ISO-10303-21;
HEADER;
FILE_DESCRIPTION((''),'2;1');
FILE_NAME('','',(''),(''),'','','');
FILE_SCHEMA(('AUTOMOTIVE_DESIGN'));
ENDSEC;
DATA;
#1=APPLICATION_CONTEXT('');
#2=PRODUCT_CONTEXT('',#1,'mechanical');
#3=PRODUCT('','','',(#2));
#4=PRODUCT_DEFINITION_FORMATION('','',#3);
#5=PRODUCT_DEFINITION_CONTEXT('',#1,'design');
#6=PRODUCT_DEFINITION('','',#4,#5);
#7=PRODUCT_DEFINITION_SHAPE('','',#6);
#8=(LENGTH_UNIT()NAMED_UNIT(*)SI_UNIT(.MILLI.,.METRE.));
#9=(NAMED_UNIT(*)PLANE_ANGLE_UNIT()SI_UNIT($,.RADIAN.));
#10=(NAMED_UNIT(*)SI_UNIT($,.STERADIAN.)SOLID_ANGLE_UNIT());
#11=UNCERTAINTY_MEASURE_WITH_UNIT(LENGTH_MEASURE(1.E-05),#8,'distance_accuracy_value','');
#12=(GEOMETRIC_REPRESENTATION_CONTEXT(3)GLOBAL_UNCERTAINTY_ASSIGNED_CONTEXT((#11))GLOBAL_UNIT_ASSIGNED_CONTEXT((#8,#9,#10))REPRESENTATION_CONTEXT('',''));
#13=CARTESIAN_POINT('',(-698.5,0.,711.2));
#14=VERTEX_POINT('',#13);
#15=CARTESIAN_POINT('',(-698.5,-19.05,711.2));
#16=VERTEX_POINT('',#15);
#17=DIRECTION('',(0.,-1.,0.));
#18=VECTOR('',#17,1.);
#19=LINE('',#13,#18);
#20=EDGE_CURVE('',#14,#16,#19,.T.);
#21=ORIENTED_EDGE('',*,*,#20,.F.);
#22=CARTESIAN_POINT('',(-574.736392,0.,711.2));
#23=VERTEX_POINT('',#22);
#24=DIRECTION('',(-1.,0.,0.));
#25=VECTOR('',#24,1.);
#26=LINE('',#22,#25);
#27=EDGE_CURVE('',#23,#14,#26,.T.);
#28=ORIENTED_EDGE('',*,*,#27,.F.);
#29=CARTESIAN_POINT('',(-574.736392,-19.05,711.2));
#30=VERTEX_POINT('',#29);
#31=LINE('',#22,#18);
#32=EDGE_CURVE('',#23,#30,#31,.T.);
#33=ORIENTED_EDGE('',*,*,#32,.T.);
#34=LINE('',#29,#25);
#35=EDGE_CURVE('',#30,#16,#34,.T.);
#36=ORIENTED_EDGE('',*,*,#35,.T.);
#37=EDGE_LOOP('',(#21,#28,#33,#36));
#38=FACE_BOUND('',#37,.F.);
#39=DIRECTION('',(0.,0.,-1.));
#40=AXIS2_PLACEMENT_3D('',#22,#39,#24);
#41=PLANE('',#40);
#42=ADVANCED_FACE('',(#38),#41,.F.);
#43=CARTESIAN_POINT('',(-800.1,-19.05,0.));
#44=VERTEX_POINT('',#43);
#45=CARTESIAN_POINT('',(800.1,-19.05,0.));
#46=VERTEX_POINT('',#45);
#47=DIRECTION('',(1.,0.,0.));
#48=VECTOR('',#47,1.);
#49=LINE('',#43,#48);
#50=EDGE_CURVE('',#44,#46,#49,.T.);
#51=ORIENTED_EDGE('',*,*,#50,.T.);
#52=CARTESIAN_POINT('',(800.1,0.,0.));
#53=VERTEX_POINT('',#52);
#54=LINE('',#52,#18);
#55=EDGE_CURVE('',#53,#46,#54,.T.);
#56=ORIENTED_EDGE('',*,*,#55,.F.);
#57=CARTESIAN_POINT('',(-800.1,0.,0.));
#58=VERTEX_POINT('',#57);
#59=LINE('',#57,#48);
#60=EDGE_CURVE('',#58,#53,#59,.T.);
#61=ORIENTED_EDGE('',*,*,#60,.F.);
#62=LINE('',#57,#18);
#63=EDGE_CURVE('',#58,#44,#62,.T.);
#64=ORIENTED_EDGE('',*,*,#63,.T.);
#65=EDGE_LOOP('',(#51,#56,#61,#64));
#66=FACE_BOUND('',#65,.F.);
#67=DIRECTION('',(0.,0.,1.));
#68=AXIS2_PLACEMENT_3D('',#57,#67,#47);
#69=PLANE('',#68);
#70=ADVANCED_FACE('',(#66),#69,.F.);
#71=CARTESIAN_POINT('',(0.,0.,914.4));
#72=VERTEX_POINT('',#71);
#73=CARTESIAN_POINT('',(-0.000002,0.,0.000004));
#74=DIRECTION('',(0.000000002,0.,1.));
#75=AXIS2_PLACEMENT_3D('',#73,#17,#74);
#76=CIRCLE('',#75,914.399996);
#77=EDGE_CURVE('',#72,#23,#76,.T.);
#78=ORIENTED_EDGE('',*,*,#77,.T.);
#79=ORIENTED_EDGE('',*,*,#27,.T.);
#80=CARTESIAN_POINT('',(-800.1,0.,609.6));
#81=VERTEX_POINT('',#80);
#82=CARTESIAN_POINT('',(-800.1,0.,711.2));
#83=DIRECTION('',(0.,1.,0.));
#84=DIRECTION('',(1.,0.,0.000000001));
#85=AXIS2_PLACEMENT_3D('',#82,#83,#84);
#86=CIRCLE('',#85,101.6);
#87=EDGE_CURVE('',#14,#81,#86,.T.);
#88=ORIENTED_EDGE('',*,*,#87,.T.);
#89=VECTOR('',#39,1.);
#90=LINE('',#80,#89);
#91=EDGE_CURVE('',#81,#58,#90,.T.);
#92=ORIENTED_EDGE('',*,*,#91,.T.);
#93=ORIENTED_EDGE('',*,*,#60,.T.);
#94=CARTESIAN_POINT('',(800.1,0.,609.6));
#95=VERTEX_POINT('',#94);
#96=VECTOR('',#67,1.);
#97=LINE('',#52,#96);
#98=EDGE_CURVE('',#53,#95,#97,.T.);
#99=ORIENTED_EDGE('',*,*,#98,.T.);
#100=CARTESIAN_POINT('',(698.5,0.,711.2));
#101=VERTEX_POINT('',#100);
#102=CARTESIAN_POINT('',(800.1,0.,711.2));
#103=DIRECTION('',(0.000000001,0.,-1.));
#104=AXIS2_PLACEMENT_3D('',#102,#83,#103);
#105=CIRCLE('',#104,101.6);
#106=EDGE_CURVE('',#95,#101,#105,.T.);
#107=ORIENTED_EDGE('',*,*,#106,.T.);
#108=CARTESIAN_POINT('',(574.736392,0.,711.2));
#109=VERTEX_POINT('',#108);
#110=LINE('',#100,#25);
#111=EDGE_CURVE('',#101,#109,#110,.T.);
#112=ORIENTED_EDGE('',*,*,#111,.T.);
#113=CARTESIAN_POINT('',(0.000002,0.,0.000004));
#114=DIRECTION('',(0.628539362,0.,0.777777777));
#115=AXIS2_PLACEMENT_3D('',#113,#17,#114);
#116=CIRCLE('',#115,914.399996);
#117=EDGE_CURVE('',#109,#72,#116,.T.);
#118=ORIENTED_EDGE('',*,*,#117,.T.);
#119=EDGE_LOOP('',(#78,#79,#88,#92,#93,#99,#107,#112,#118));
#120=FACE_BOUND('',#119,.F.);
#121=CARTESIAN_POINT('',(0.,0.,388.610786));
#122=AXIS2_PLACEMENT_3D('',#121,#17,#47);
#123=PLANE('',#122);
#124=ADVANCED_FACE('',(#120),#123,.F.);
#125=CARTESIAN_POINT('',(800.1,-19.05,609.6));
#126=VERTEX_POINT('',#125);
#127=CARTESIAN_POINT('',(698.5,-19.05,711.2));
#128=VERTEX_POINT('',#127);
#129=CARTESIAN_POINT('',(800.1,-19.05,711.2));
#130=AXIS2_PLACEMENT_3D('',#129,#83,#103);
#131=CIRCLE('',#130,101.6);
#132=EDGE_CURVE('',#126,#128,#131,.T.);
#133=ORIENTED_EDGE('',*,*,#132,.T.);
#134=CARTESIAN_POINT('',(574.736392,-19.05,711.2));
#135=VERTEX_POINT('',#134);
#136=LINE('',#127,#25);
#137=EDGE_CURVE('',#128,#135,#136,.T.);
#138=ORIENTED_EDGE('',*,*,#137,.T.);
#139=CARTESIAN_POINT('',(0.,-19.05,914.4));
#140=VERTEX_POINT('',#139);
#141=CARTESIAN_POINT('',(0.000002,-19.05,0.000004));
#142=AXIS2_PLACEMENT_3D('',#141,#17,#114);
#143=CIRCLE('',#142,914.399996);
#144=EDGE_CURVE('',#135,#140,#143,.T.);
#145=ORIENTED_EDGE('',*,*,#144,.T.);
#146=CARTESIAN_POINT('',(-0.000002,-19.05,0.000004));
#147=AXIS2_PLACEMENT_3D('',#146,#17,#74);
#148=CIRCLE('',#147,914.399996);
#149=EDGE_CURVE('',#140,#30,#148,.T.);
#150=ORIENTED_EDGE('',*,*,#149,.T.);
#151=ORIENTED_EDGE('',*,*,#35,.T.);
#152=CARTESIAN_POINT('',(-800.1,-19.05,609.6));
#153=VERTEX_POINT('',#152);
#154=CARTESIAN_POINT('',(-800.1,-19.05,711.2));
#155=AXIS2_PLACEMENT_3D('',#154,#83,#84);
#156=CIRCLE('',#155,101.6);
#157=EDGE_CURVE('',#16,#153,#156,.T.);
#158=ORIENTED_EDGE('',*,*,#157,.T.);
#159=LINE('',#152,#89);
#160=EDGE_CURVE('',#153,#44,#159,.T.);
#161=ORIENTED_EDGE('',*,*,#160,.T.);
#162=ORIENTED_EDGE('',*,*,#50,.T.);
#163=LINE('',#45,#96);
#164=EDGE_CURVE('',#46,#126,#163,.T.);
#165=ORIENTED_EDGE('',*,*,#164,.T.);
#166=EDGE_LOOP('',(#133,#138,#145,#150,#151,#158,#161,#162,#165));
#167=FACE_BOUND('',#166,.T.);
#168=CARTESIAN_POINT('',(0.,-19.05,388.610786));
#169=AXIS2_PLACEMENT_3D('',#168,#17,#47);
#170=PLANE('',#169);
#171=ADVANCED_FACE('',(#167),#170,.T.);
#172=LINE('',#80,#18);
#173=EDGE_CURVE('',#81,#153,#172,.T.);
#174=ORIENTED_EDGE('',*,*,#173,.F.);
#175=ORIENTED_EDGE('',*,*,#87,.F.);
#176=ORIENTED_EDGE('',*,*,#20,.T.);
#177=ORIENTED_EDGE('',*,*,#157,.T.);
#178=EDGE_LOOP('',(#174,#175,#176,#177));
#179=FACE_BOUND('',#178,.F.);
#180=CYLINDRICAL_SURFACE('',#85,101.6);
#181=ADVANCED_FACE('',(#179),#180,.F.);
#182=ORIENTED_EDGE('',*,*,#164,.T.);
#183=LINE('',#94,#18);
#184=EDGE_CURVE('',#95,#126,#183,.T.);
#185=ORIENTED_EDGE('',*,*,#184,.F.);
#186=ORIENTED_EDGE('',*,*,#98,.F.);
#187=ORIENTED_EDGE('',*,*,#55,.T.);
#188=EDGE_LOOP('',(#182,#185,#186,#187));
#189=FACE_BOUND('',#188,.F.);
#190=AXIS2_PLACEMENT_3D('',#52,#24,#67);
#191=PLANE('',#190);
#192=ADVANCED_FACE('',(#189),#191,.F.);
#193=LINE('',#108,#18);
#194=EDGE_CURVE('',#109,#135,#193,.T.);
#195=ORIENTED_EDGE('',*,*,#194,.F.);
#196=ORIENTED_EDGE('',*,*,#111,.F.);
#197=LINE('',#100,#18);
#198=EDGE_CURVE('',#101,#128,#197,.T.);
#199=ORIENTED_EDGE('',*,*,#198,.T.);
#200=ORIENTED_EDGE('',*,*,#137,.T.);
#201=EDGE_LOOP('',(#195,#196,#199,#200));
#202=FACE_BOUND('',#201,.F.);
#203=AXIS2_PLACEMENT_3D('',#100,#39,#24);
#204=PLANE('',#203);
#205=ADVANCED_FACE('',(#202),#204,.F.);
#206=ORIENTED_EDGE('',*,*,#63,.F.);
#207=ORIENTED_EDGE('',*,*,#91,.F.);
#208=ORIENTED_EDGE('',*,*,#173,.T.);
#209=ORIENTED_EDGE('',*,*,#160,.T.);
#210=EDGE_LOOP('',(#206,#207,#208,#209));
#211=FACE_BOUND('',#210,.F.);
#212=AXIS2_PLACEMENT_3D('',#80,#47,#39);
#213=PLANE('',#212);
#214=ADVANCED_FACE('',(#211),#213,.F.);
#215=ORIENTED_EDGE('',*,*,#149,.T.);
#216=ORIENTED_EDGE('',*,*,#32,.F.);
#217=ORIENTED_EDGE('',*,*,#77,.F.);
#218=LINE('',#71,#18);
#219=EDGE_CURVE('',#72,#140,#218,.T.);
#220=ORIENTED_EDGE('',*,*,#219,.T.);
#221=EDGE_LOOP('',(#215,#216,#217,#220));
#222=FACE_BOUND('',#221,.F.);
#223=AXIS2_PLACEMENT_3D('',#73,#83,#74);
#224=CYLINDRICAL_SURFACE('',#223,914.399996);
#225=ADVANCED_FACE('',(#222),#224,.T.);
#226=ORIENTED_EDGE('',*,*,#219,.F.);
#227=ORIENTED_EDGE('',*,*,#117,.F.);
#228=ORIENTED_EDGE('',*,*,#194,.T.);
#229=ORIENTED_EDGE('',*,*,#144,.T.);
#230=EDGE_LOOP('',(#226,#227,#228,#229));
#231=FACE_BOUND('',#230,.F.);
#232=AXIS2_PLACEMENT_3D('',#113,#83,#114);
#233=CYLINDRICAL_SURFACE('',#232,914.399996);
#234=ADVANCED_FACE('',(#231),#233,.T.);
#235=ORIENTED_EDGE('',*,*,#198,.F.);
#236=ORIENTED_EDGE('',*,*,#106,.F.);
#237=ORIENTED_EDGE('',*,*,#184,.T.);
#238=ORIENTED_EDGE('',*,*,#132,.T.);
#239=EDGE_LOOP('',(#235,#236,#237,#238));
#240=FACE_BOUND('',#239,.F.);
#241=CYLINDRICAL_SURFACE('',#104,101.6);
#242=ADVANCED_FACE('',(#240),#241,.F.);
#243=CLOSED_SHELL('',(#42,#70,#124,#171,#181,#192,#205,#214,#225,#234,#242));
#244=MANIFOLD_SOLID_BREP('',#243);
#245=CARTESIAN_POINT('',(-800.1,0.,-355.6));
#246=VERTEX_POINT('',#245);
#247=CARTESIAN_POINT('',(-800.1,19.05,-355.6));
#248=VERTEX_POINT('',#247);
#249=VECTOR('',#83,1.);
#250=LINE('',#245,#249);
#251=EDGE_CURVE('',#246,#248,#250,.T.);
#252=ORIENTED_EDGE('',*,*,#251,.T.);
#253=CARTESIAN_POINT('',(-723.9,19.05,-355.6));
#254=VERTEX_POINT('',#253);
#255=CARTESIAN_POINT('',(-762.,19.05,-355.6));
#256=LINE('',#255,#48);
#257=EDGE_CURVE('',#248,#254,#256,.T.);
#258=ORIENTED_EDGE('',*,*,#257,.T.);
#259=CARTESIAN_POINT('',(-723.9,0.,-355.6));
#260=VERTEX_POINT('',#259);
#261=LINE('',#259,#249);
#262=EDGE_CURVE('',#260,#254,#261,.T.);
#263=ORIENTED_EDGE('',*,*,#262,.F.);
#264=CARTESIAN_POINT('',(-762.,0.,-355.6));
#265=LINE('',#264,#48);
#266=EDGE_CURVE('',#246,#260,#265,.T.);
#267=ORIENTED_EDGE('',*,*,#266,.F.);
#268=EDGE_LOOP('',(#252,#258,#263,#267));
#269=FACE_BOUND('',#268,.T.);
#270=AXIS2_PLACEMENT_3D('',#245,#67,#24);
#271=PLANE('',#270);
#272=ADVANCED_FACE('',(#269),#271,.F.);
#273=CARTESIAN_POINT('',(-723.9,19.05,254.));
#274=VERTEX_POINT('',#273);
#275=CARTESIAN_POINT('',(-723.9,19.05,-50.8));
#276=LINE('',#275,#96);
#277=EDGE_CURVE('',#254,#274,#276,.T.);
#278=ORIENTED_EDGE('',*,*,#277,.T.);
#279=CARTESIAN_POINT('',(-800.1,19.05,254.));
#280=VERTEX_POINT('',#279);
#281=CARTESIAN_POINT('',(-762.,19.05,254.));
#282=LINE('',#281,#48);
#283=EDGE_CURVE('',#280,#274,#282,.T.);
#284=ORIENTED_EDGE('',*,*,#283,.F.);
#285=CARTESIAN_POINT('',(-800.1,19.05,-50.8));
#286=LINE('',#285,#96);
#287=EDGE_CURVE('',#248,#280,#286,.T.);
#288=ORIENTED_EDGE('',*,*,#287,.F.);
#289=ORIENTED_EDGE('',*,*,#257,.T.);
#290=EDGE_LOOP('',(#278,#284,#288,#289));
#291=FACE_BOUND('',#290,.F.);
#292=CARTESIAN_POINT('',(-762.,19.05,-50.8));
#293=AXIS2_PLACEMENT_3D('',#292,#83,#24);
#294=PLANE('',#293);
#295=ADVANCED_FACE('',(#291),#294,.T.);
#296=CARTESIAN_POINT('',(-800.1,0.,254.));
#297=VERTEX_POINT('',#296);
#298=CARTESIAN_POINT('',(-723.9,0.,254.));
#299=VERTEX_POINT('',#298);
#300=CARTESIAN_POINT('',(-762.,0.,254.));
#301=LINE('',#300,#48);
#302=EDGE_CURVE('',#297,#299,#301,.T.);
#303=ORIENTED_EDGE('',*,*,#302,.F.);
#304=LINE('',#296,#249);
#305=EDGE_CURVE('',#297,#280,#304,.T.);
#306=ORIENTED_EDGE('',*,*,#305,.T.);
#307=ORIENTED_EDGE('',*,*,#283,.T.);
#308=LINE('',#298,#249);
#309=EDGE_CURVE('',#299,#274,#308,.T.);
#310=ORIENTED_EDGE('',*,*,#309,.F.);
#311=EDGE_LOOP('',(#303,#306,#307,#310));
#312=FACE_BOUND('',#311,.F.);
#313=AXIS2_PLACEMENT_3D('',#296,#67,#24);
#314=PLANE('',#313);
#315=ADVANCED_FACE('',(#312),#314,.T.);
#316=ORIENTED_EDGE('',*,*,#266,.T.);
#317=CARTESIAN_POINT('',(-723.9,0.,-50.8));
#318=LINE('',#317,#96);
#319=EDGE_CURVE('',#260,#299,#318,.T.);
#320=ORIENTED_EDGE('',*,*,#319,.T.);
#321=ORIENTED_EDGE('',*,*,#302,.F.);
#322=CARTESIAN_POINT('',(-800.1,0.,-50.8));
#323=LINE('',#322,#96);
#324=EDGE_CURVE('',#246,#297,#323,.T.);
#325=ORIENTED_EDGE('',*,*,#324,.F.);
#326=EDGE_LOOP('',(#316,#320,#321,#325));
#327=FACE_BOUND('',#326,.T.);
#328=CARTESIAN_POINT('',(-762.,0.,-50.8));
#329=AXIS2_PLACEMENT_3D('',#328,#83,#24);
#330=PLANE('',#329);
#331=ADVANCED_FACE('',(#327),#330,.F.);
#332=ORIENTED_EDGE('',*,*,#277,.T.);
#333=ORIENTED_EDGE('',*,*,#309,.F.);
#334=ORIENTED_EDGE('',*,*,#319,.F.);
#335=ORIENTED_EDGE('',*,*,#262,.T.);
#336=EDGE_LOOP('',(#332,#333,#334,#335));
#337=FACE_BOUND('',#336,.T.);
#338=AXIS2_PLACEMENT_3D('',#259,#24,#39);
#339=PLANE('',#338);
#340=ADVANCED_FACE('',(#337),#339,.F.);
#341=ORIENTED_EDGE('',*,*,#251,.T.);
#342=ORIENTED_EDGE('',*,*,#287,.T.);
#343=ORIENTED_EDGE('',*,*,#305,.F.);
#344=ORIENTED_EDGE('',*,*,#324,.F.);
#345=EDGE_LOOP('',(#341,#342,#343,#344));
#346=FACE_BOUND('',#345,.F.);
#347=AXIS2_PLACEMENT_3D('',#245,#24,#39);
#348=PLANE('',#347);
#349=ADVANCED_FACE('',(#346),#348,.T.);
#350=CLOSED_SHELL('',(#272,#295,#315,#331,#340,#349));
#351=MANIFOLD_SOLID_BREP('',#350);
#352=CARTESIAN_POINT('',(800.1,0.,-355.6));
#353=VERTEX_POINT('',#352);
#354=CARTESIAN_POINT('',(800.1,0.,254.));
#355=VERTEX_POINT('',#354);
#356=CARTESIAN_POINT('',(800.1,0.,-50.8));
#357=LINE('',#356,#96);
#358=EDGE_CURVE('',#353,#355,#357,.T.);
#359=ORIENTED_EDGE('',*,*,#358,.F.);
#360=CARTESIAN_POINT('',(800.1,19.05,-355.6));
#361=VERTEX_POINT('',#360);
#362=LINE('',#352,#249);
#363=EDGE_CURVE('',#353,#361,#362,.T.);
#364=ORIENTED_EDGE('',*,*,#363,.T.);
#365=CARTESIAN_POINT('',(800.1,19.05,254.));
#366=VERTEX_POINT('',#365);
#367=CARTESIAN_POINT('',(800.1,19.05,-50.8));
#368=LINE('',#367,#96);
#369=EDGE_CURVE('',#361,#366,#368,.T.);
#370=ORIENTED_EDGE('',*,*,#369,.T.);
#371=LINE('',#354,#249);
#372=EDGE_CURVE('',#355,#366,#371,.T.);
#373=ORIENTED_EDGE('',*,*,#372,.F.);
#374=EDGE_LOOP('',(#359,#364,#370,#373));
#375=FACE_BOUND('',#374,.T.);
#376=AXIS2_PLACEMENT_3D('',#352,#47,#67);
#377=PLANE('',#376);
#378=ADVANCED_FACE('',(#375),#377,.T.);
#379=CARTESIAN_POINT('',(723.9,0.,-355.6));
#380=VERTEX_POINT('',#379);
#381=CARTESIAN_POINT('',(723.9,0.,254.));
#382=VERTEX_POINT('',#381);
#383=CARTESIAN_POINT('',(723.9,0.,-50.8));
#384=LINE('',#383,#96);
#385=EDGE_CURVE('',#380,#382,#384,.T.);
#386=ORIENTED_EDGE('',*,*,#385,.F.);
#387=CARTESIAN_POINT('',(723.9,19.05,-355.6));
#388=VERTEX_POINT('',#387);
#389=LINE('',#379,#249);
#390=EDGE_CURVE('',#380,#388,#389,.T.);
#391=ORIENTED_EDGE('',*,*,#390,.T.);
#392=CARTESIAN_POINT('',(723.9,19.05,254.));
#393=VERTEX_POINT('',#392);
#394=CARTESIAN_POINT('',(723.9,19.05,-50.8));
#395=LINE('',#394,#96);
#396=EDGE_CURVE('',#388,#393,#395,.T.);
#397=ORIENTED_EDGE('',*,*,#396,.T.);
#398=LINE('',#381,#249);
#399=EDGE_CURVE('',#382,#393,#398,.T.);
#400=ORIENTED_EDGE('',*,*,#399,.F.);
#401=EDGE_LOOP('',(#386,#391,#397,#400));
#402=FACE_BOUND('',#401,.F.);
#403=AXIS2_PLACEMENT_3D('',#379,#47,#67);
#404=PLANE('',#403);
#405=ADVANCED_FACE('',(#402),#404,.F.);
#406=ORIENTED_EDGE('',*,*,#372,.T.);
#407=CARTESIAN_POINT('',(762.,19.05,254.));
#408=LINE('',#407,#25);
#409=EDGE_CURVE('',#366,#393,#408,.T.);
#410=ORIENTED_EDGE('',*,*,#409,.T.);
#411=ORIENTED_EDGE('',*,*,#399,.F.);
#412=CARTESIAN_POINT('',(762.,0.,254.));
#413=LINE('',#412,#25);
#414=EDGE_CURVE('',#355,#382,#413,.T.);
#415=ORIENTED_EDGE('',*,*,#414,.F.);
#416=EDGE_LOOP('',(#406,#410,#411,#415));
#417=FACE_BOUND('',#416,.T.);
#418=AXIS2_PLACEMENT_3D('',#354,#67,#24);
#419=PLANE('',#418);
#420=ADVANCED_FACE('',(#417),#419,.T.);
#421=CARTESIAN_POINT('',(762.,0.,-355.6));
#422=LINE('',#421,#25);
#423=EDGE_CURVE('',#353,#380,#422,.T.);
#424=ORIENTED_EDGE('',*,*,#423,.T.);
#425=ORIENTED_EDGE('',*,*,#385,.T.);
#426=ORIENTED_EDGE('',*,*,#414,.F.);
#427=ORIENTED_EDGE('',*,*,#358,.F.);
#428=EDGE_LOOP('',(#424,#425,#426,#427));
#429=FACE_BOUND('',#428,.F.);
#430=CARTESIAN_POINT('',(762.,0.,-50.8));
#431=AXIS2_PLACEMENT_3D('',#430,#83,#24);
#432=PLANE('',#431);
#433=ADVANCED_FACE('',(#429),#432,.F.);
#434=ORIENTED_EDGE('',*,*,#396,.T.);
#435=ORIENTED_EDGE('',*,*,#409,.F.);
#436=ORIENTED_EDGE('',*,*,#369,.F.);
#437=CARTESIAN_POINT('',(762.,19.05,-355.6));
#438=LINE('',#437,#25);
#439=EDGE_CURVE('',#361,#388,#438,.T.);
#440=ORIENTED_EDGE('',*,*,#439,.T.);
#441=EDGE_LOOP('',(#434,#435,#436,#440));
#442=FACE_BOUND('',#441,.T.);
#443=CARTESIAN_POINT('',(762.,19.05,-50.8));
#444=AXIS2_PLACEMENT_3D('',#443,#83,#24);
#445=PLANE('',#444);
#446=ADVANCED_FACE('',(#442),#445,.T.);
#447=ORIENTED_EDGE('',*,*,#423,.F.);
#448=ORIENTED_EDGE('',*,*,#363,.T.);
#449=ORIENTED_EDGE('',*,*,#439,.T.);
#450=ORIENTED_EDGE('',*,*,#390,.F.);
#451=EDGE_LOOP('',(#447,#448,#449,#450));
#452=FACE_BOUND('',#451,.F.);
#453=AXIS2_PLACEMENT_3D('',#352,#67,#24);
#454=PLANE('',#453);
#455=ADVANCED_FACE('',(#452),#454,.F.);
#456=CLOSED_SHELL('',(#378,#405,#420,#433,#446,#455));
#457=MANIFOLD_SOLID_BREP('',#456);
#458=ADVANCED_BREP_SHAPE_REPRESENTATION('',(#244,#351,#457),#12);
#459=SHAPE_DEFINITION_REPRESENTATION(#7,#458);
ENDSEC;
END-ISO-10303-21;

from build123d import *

# Parameters (mm, degrees)
F1_DEPTH = 19.05
F2_W     = 76.2
F2_H     = 609.6
F3_DEPTH = 19.05


with BuildPart() as f1:
    # F0 (on Front) → F1 (new body)
    with BuildSketch(Plane.XZ):
        with BuildLine():
            Line((-800.1, 0), (0, 0))
            Line((0, 0), (800.1, 0))
            Line((800.1, 0), (800.1, 609.6))
            ThreePointArc((800.1, 609.6), (728.257951, 639.357951), (698.5, 711.2))
            Line((698.5, 711.2), (574.736392, 711.2))
            ThreePointArc((574.736392, 711.2), (304.8, 862.104588), (0, 914.4))
            ThreePointArc((0, 914.4), (-304.8, 862.104588), (-574.736392, 711.2))
            Line((-574.736392, 711.2), (-698.5, 711.2))
            ThreePointArc((-698.5, 711.2), (-728.257951, 639.357951), (-800.1, 609.6))
            Line((-800.1, 609.6), (-800.1, 0))
        make_face()
    extrude(amount=F1_DEPTH)


with BuildPart() as f3:
    # F2 (on face) → F3 (new body)
    with BuildSketch(Plane(origin=(0, 0, 0), x_dir=(-1, 0, 0), z_dir=(0, 1, 0))):
        with Locations((-762, -50.8)):
            Rectangle(F2_W, F2_H)
    extrude(amount=F3_DEPTH)


with BuildPart() as f4_1:
    # F4: instance of F3
    add(f3.part.mirror(Plane.YZ))


solid = Compound([f1.part, f3.part, f4_1.part])
